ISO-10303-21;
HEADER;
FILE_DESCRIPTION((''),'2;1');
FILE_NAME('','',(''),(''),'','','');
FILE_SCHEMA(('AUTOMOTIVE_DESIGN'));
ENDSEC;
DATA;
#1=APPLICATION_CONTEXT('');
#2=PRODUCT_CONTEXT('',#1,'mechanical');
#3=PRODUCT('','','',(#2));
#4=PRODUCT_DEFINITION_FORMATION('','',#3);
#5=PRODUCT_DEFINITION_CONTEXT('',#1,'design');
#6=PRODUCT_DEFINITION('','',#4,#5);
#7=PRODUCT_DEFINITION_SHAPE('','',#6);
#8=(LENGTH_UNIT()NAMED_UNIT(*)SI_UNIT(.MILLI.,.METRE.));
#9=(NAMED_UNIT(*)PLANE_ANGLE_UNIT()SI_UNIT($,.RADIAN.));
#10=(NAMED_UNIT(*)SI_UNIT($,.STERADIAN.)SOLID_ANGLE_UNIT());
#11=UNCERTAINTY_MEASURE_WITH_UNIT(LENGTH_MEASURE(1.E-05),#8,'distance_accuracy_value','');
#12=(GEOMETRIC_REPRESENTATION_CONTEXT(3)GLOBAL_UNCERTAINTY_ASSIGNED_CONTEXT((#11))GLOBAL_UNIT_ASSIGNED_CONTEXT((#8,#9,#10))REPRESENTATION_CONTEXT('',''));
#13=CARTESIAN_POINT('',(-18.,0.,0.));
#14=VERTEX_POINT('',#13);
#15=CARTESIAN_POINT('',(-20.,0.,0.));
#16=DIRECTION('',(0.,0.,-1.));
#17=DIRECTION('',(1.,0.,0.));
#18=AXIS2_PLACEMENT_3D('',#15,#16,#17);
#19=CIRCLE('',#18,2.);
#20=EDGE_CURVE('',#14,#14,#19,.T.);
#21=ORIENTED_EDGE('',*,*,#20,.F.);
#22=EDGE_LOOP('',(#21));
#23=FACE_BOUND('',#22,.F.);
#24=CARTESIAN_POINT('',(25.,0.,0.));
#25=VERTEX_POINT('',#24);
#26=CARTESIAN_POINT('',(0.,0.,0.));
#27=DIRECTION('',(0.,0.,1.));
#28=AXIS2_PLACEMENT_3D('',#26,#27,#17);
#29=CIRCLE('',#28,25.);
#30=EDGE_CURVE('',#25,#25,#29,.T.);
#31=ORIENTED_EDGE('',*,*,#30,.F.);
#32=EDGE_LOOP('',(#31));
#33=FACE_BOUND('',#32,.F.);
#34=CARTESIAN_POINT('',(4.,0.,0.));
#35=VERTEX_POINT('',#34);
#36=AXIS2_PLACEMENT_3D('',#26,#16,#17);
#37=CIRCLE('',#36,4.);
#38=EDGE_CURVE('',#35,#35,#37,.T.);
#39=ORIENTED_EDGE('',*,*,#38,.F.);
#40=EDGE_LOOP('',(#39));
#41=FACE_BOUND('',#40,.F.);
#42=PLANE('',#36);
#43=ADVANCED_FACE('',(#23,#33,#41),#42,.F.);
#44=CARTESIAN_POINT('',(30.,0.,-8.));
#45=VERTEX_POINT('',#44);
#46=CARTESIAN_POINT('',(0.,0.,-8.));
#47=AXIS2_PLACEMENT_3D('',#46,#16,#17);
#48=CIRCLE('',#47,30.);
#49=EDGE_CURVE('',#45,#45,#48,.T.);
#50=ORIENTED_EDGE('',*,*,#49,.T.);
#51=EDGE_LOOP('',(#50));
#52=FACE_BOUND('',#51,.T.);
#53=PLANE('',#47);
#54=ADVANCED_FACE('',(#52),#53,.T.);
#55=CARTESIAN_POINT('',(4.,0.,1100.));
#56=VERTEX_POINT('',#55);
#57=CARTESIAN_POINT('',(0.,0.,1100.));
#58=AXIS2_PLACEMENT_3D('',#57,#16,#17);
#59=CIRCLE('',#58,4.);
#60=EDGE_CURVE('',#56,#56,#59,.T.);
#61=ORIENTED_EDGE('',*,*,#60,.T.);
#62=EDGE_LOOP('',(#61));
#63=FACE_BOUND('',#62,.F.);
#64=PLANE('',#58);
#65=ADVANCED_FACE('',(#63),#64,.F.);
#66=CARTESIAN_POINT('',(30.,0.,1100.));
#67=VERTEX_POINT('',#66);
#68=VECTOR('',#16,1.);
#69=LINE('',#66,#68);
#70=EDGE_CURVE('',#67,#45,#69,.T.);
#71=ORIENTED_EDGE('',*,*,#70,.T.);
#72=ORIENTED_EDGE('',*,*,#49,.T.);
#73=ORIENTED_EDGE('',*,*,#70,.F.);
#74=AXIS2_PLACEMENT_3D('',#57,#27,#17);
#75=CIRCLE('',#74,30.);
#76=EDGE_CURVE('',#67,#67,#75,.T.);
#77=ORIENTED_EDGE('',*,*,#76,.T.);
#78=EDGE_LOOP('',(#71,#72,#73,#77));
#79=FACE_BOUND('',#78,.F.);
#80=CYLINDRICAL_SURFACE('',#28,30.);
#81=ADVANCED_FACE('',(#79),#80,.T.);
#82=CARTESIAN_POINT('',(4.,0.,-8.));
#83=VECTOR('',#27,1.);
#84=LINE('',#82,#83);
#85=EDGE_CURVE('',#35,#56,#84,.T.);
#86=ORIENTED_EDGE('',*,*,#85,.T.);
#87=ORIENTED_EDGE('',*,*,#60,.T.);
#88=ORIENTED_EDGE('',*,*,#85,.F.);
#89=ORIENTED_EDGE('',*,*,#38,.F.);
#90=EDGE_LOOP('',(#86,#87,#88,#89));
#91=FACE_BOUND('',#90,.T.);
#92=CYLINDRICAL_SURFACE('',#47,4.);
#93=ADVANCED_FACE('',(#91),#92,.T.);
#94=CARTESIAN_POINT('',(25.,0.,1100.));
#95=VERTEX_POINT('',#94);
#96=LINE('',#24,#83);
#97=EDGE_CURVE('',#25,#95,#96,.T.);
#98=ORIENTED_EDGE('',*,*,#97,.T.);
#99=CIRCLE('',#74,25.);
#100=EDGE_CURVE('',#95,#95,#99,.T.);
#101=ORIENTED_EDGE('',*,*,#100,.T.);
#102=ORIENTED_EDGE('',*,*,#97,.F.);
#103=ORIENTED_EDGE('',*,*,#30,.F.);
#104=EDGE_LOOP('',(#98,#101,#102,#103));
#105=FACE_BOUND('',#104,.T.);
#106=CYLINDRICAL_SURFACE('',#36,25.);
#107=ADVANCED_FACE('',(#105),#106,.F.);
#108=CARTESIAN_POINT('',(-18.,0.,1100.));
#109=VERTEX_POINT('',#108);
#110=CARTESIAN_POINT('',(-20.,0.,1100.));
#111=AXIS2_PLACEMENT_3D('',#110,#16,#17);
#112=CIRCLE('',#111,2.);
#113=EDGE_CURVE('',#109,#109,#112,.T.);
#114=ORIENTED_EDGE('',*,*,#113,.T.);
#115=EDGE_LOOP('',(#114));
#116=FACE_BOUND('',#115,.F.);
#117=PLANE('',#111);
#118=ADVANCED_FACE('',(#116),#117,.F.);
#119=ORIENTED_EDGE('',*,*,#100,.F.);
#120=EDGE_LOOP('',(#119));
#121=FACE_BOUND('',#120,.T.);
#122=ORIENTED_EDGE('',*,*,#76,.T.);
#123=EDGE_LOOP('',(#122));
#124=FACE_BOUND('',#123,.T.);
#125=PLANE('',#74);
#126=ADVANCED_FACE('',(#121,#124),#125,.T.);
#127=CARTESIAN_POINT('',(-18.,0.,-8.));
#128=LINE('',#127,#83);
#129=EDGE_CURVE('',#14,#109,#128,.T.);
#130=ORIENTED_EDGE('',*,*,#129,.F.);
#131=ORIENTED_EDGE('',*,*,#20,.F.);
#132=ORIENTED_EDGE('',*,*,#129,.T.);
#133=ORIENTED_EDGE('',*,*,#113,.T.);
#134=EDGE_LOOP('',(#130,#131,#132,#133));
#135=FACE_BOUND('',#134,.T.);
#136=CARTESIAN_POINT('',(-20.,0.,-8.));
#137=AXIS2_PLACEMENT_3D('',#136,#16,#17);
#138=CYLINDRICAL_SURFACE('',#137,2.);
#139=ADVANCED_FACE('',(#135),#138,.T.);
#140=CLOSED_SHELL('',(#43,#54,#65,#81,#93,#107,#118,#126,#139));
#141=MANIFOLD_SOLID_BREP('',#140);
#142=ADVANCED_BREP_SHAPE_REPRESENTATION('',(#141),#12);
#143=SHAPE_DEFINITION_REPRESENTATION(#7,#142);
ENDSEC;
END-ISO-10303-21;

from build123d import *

# Parameters (mm, degrees)
F0_R     = 30
F0_R_2   = 25
F1_DEPTH = 1100
F2_R     = 30
F3_DEPTH = 8
F4_R     = 4
F4_R_2   = 2
F5_DEPTH = 1108


with BuildPart() as f1:
    # F0 (on Top) → F1 (new body)
    with BuildSketch(Plane.XY):
        Circle(F0_R)
        Circle(F0_R_2, mode=Mode.SUBTRACT)
    extrude(amount=F1_DEPTH)

    # F2 (on face) → F3 (join)
    with BuildSketch(Plane(origin=(0, 0, 0), x_dir=(1, 0, 0), z_dir=(0, 0, -1))):
        Circle(F2_R)
    extrude(amount=F3_DEPTH)

    # F4 (on face) → F5 (join)
    with BuildSketch(Plane(origin=(0, 0, -8), x_dir=(1, 0, 0), z_dir=(0, 0, -1))):
        Circle(F4_R)
        with Locations((-20, 0)):
            Circle(F4_R_2)
    extrude(amount=-F5_DEPTH)


solid = f1.part
